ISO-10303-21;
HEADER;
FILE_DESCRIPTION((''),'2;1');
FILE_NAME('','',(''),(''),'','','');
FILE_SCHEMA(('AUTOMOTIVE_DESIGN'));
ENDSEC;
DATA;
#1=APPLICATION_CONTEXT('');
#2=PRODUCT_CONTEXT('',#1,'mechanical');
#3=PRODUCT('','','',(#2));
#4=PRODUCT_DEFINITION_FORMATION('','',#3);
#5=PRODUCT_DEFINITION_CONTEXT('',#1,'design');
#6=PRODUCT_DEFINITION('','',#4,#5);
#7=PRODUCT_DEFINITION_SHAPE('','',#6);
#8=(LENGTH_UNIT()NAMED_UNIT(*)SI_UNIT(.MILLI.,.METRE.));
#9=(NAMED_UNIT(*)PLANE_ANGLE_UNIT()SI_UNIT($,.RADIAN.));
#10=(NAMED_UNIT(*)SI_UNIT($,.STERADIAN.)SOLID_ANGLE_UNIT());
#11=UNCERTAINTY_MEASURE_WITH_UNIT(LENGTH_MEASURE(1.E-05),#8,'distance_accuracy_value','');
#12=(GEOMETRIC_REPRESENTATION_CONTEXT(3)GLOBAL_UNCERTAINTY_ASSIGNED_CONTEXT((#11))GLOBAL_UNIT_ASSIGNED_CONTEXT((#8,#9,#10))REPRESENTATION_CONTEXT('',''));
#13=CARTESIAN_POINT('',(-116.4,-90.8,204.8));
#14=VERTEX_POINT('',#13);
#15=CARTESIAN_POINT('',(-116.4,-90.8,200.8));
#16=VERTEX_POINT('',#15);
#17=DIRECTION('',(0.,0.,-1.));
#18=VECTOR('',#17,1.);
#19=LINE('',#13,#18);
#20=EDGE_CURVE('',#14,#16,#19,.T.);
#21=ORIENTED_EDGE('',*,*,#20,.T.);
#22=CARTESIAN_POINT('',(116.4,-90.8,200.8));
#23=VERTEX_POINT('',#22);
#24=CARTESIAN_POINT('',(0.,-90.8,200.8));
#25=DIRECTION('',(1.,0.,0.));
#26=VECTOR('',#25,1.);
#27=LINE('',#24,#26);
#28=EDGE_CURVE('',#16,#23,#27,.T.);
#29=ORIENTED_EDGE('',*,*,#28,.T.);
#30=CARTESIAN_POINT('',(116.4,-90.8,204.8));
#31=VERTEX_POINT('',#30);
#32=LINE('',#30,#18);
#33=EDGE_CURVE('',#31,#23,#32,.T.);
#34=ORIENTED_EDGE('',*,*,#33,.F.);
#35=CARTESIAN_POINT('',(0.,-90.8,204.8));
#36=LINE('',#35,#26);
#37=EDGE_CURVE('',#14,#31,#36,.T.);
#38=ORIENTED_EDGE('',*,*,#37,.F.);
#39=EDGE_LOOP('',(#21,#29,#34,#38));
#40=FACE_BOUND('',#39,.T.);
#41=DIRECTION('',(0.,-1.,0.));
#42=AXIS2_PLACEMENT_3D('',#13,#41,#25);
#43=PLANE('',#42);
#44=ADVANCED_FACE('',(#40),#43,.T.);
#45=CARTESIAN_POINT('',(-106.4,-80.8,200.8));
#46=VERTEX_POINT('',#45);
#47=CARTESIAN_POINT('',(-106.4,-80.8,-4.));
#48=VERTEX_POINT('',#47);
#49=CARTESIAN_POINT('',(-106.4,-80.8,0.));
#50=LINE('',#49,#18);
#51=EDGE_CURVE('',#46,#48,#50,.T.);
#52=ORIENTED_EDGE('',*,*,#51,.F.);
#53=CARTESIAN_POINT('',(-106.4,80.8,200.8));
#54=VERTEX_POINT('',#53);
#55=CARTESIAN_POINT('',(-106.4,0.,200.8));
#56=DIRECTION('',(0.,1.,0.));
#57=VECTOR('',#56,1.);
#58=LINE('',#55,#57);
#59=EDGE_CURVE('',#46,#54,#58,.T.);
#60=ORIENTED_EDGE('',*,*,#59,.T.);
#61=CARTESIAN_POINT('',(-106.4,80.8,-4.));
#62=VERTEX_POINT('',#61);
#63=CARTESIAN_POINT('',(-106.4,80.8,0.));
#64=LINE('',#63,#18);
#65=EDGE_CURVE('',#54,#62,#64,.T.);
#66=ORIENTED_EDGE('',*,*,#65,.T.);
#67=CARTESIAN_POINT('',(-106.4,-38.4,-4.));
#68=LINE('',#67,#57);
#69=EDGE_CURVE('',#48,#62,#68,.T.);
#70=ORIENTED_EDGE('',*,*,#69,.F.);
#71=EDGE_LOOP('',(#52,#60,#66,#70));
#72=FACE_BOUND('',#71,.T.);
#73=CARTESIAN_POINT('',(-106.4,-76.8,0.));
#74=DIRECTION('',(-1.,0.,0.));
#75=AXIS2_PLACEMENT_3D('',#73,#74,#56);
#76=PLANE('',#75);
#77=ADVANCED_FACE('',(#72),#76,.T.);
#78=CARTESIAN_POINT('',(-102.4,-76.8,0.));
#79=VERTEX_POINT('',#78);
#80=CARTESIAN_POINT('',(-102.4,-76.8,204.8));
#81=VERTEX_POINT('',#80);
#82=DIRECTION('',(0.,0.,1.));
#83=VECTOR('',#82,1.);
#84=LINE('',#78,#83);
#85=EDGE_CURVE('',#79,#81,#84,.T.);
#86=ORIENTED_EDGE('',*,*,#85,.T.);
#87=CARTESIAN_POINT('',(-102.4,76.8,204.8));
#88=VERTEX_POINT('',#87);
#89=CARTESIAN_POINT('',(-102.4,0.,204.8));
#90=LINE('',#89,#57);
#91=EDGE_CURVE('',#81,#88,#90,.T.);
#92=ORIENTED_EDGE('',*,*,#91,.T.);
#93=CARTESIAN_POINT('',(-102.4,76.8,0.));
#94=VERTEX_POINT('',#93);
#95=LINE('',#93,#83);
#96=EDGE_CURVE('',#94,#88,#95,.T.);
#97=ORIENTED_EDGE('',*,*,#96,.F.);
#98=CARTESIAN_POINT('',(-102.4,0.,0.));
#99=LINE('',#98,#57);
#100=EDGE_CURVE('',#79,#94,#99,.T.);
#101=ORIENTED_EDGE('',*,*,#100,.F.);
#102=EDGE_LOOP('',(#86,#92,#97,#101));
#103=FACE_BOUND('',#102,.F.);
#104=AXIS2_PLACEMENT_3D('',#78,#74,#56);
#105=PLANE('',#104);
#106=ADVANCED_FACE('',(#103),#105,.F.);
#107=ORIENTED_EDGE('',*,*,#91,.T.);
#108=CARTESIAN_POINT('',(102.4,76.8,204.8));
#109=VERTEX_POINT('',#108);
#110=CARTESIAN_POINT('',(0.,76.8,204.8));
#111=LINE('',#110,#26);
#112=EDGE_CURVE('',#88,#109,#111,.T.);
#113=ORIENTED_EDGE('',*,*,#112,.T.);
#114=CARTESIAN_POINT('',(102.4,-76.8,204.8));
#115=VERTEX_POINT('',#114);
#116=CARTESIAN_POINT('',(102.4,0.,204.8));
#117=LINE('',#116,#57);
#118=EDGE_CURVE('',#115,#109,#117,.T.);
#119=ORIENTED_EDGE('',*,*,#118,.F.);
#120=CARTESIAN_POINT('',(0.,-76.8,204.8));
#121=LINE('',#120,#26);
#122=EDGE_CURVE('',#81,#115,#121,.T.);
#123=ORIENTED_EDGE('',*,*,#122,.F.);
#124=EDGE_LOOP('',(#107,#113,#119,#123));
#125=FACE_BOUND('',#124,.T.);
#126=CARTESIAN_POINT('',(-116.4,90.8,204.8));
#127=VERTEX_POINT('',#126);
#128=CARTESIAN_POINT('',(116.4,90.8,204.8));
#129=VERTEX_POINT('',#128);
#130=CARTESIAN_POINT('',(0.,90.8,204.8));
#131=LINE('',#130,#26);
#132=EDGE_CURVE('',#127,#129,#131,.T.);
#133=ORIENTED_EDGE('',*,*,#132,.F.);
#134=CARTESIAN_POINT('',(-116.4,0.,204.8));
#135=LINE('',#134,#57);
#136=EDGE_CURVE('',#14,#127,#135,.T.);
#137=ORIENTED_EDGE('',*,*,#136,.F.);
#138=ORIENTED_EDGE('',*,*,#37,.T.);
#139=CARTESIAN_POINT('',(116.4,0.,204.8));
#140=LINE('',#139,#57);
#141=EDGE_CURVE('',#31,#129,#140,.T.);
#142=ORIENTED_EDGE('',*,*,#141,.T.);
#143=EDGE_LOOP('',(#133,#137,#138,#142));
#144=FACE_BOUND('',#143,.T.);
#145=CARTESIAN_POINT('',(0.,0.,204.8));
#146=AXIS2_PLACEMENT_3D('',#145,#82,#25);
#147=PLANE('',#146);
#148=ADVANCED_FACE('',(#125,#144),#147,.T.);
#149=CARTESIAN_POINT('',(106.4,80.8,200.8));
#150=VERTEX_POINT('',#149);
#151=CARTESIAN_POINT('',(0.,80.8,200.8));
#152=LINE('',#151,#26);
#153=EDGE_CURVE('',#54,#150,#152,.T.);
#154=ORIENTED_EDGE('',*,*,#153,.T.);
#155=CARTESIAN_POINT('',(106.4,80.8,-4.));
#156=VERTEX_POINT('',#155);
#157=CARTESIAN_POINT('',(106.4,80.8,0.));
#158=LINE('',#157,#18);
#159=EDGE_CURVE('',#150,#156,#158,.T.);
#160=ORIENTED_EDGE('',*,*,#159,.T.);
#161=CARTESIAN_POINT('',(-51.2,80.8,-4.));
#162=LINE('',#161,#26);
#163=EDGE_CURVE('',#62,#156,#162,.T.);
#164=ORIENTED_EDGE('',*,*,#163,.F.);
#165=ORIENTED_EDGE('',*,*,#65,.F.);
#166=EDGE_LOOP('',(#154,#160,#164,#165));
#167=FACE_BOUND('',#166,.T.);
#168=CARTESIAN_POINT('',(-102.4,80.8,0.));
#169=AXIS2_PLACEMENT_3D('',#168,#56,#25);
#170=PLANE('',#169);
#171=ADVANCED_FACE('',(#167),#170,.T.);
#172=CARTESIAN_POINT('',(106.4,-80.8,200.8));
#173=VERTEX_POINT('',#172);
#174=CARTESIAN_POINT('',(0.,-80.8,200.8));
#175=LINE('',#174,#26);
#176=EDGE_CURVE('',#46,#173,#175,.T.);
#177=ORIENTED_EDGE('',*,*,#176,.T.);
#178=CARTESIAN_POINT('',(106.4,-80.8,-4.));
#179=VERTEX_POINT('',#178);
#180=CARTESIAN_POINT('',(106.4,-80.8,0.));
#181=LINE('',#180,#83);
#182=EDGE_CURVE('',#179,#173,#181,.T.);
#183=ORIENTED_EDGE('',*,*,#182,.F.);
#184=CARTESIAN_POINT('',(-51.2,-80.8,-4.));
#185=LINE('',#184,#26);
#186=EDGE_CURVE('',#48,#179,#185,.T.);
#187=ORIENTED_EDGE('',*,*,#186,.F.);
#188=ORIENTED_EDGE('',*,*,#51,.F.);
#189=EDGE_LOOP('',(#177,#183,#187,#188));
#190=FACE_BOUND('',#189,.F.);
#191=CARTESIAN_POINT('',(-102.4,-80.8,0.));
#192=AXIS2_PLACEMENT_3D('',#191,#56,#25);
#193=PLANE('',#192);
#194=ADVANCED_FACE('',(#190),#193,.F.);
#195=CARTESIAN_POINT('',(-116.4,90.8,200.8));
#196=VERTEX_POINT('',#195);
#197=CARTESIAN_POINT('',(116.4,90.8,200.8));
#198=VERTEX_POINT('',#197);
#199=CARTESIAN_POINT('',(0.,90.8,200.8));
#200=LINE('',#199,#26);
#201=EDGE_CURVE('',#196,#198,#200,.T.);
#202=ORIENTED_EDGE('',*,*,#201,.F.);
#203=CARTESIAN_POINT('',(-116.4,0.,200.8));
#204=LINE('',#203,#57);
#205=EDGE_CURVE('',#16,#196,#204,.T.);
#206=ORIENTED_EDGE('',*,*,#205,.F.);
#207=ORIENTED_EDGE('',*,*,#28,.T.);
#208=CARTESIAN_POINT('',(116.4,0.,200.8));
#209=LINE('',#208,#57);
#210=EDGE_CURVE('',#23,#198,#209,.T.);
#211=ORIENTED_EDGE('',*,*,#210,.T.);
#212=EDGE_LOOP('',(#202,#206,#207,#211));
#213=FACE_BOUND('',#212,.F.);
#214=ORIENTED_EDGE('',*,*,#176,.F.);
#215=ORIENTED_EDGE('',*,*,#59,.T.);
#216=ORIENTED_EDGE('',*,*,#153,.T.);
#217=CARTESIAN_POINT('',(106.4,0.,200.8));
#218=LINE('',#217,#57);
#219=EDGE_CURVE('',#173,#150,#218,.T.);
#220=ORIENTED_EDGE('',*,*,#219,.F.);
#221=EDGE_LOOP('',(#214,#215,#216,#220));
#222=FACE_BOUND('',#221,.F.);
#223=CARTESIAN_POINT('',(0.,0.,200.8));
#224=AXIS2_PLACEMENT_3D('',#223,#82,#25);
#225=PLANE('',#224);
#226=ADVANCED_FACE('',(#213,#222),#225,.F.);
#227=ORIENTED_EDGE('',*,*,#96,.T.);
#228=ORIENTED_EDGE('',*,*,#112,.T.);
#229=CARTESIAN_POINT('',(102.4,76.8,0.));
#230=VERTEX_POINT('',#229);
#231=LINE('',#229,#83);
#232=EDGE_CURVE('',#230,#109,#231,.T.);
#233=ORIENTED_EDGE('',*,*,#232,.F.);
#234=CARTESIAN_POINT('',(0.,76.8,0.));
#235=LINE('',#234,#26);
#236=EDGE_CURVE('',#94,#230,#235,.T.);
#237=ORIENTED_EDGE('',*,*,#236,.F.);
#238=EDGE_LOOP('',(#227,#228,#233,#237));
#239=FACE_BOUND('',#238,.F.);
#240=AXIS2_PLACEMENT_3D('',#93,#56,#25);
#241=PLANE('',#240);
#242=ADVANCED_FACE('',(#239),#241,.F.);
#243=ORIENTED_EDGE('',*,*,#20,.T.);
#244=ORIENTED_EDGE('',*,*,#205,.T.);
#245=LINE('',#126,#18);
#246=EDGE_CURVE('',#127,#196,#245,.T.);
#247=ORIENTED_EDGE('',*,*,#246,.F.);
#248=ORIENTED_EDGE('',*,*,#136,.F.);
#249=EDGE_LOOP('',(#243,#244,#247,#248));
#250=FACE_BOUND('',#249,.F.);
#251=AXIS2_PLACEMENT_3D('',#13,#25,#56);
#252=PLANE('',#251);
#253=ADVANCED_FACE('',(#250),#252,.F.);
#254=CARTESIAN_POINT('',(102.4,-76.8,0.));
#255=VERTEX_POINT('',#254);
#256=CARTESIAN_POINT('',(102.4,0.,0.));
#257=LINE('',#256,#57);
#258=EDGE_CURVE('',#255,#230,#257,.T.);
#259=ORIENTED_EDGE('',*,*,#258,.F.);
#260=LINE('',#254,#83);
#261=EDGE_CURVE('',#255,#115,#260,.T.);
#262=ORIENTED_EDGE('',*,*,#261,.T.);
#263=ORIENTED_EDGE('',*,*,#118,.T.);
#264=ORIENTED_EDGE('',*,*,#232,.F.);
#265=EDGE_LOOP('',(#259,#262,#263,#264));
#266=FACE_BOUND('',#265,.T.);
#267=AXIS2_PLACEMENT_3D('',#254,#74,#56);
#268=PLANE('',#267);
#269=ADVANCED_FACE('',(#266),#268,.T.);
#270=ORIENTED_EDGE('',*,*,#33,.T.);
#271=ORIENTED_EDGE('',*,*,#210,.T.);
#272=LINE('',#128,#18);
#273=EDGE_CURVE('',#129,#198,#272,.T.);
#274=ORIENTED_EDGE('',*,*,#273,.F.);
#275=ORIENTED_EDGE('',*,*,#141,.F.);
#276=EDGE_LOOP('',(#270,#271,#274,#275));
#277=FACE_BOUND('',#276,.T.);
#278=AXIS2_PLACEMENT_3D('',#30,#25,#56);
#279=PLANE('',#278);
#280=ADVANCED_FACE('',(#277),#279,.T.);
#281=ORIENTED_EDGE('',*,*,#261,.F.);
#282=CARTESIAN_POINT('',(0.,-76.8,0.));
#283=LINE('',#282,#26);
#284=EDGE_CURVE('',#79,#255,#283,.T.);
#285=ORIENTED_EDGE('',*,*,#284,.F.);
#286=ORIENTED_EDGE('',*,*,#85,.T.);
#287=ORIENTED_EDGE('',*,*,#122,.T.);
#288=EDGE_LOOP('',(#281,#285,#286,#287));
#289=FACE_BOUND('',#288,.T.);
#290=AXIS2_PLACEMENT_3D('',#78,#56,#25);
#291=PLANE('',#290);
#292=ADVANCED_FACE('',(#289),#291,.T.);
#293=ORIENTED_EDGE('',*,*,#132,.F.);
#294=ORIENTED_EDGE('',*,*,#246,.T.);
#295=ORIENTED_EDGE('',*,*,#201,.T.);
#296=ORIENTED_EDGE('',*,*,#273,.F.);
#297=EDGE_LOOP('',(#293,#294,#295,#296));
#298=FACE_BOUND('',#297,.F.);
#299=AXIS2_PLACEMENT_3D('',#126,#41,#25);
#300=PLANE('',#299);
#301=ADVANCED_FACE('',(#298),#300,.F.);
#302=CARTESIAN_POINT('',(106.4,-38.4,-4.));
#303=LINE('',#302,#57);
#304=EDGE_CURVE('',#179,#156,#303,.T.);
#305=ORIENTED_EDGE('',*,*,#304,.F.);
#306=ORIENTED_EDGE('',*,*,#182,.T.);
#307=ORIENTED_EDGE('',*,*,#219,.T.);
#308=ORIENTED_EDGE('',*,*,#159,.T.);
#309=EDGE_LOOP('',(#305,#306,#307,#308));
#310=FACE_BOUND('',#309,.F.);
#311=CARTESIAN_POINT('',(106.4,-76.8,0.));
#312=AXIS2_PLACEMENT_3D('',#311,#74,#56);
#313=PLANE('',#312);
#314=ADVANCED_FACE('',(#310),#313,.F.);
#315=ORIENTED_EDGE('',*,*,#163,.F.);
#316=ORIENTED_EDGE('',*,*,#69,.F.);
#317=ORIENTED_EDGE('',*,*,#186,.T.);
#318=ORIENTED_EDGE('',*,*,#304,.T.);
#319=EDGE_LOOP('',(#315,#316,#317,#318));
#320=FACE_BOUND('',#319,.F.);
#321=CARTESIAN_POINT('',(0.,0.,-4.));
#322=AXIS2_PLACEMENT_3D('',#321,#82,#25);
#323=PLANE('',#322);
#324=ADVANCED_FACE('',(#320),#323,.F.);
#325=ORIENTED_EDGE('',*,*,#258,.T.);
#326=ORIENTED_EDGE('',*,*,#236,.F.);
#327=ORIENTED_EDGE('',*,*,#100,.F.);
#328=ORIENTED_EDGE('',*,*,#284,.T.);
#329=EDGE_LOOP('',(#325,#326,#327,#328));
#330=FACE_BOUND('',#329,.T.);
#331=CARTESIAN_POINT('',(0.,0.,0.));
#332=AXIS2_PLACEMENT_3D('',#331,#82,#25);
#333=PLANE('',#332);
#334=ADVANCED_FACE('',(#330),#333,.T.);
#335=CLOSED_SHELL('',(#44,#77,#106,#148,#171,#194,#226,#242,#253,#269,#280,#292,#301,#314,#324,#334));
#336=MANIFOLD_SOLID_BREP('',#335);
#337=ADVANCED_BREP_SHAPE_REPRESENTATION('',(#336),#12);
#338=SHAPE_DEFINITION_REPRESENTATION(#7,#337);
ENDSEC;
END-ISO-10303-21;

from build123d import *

# Parameters (mm, degrees)
SKETCH_W      = 204.8
SKETCH_H      = 153.6
PAD_DEPTH     = 204.8
THICKNESS_T   = 4
SKETCH001_W   = 232.8
SKETCH001_H   = 181.6
SKETCH001_W_2 = 212.8
SKETCH001_H_2 = 161.6
PAD001_DEPTH  = 4


with BuildPart() as part:
    # Sketch → Pad (new body)
    with BuildSketch(Plane.XY):
        Rectangle(SKETCH_W, SKETCH_H)
    extrude(amount=PAD_DEPTH)

    # Thickness
    thickness_openings = [part.faces().sort_by_distance(p)[0] for p in [
        (0, 0, 204.8),
    ]]
    offset(amount=THICKNESS_T, openings=thickness_openings, kind=Kind.INTERSECTION)

    # Sketch001 → Pad001 (new body)
    with BuildSketch(Plane.XY.offset(204.8)):
        Rectangle(SKETCH001_W, SKETCH001_H)
        Rectangle(SKETCH001_W_2, SKETCH001_H_2, mode=Mode.SUBTRACT)
    extrude(amount=-PAD001_DEPTH)


solid = part.part
